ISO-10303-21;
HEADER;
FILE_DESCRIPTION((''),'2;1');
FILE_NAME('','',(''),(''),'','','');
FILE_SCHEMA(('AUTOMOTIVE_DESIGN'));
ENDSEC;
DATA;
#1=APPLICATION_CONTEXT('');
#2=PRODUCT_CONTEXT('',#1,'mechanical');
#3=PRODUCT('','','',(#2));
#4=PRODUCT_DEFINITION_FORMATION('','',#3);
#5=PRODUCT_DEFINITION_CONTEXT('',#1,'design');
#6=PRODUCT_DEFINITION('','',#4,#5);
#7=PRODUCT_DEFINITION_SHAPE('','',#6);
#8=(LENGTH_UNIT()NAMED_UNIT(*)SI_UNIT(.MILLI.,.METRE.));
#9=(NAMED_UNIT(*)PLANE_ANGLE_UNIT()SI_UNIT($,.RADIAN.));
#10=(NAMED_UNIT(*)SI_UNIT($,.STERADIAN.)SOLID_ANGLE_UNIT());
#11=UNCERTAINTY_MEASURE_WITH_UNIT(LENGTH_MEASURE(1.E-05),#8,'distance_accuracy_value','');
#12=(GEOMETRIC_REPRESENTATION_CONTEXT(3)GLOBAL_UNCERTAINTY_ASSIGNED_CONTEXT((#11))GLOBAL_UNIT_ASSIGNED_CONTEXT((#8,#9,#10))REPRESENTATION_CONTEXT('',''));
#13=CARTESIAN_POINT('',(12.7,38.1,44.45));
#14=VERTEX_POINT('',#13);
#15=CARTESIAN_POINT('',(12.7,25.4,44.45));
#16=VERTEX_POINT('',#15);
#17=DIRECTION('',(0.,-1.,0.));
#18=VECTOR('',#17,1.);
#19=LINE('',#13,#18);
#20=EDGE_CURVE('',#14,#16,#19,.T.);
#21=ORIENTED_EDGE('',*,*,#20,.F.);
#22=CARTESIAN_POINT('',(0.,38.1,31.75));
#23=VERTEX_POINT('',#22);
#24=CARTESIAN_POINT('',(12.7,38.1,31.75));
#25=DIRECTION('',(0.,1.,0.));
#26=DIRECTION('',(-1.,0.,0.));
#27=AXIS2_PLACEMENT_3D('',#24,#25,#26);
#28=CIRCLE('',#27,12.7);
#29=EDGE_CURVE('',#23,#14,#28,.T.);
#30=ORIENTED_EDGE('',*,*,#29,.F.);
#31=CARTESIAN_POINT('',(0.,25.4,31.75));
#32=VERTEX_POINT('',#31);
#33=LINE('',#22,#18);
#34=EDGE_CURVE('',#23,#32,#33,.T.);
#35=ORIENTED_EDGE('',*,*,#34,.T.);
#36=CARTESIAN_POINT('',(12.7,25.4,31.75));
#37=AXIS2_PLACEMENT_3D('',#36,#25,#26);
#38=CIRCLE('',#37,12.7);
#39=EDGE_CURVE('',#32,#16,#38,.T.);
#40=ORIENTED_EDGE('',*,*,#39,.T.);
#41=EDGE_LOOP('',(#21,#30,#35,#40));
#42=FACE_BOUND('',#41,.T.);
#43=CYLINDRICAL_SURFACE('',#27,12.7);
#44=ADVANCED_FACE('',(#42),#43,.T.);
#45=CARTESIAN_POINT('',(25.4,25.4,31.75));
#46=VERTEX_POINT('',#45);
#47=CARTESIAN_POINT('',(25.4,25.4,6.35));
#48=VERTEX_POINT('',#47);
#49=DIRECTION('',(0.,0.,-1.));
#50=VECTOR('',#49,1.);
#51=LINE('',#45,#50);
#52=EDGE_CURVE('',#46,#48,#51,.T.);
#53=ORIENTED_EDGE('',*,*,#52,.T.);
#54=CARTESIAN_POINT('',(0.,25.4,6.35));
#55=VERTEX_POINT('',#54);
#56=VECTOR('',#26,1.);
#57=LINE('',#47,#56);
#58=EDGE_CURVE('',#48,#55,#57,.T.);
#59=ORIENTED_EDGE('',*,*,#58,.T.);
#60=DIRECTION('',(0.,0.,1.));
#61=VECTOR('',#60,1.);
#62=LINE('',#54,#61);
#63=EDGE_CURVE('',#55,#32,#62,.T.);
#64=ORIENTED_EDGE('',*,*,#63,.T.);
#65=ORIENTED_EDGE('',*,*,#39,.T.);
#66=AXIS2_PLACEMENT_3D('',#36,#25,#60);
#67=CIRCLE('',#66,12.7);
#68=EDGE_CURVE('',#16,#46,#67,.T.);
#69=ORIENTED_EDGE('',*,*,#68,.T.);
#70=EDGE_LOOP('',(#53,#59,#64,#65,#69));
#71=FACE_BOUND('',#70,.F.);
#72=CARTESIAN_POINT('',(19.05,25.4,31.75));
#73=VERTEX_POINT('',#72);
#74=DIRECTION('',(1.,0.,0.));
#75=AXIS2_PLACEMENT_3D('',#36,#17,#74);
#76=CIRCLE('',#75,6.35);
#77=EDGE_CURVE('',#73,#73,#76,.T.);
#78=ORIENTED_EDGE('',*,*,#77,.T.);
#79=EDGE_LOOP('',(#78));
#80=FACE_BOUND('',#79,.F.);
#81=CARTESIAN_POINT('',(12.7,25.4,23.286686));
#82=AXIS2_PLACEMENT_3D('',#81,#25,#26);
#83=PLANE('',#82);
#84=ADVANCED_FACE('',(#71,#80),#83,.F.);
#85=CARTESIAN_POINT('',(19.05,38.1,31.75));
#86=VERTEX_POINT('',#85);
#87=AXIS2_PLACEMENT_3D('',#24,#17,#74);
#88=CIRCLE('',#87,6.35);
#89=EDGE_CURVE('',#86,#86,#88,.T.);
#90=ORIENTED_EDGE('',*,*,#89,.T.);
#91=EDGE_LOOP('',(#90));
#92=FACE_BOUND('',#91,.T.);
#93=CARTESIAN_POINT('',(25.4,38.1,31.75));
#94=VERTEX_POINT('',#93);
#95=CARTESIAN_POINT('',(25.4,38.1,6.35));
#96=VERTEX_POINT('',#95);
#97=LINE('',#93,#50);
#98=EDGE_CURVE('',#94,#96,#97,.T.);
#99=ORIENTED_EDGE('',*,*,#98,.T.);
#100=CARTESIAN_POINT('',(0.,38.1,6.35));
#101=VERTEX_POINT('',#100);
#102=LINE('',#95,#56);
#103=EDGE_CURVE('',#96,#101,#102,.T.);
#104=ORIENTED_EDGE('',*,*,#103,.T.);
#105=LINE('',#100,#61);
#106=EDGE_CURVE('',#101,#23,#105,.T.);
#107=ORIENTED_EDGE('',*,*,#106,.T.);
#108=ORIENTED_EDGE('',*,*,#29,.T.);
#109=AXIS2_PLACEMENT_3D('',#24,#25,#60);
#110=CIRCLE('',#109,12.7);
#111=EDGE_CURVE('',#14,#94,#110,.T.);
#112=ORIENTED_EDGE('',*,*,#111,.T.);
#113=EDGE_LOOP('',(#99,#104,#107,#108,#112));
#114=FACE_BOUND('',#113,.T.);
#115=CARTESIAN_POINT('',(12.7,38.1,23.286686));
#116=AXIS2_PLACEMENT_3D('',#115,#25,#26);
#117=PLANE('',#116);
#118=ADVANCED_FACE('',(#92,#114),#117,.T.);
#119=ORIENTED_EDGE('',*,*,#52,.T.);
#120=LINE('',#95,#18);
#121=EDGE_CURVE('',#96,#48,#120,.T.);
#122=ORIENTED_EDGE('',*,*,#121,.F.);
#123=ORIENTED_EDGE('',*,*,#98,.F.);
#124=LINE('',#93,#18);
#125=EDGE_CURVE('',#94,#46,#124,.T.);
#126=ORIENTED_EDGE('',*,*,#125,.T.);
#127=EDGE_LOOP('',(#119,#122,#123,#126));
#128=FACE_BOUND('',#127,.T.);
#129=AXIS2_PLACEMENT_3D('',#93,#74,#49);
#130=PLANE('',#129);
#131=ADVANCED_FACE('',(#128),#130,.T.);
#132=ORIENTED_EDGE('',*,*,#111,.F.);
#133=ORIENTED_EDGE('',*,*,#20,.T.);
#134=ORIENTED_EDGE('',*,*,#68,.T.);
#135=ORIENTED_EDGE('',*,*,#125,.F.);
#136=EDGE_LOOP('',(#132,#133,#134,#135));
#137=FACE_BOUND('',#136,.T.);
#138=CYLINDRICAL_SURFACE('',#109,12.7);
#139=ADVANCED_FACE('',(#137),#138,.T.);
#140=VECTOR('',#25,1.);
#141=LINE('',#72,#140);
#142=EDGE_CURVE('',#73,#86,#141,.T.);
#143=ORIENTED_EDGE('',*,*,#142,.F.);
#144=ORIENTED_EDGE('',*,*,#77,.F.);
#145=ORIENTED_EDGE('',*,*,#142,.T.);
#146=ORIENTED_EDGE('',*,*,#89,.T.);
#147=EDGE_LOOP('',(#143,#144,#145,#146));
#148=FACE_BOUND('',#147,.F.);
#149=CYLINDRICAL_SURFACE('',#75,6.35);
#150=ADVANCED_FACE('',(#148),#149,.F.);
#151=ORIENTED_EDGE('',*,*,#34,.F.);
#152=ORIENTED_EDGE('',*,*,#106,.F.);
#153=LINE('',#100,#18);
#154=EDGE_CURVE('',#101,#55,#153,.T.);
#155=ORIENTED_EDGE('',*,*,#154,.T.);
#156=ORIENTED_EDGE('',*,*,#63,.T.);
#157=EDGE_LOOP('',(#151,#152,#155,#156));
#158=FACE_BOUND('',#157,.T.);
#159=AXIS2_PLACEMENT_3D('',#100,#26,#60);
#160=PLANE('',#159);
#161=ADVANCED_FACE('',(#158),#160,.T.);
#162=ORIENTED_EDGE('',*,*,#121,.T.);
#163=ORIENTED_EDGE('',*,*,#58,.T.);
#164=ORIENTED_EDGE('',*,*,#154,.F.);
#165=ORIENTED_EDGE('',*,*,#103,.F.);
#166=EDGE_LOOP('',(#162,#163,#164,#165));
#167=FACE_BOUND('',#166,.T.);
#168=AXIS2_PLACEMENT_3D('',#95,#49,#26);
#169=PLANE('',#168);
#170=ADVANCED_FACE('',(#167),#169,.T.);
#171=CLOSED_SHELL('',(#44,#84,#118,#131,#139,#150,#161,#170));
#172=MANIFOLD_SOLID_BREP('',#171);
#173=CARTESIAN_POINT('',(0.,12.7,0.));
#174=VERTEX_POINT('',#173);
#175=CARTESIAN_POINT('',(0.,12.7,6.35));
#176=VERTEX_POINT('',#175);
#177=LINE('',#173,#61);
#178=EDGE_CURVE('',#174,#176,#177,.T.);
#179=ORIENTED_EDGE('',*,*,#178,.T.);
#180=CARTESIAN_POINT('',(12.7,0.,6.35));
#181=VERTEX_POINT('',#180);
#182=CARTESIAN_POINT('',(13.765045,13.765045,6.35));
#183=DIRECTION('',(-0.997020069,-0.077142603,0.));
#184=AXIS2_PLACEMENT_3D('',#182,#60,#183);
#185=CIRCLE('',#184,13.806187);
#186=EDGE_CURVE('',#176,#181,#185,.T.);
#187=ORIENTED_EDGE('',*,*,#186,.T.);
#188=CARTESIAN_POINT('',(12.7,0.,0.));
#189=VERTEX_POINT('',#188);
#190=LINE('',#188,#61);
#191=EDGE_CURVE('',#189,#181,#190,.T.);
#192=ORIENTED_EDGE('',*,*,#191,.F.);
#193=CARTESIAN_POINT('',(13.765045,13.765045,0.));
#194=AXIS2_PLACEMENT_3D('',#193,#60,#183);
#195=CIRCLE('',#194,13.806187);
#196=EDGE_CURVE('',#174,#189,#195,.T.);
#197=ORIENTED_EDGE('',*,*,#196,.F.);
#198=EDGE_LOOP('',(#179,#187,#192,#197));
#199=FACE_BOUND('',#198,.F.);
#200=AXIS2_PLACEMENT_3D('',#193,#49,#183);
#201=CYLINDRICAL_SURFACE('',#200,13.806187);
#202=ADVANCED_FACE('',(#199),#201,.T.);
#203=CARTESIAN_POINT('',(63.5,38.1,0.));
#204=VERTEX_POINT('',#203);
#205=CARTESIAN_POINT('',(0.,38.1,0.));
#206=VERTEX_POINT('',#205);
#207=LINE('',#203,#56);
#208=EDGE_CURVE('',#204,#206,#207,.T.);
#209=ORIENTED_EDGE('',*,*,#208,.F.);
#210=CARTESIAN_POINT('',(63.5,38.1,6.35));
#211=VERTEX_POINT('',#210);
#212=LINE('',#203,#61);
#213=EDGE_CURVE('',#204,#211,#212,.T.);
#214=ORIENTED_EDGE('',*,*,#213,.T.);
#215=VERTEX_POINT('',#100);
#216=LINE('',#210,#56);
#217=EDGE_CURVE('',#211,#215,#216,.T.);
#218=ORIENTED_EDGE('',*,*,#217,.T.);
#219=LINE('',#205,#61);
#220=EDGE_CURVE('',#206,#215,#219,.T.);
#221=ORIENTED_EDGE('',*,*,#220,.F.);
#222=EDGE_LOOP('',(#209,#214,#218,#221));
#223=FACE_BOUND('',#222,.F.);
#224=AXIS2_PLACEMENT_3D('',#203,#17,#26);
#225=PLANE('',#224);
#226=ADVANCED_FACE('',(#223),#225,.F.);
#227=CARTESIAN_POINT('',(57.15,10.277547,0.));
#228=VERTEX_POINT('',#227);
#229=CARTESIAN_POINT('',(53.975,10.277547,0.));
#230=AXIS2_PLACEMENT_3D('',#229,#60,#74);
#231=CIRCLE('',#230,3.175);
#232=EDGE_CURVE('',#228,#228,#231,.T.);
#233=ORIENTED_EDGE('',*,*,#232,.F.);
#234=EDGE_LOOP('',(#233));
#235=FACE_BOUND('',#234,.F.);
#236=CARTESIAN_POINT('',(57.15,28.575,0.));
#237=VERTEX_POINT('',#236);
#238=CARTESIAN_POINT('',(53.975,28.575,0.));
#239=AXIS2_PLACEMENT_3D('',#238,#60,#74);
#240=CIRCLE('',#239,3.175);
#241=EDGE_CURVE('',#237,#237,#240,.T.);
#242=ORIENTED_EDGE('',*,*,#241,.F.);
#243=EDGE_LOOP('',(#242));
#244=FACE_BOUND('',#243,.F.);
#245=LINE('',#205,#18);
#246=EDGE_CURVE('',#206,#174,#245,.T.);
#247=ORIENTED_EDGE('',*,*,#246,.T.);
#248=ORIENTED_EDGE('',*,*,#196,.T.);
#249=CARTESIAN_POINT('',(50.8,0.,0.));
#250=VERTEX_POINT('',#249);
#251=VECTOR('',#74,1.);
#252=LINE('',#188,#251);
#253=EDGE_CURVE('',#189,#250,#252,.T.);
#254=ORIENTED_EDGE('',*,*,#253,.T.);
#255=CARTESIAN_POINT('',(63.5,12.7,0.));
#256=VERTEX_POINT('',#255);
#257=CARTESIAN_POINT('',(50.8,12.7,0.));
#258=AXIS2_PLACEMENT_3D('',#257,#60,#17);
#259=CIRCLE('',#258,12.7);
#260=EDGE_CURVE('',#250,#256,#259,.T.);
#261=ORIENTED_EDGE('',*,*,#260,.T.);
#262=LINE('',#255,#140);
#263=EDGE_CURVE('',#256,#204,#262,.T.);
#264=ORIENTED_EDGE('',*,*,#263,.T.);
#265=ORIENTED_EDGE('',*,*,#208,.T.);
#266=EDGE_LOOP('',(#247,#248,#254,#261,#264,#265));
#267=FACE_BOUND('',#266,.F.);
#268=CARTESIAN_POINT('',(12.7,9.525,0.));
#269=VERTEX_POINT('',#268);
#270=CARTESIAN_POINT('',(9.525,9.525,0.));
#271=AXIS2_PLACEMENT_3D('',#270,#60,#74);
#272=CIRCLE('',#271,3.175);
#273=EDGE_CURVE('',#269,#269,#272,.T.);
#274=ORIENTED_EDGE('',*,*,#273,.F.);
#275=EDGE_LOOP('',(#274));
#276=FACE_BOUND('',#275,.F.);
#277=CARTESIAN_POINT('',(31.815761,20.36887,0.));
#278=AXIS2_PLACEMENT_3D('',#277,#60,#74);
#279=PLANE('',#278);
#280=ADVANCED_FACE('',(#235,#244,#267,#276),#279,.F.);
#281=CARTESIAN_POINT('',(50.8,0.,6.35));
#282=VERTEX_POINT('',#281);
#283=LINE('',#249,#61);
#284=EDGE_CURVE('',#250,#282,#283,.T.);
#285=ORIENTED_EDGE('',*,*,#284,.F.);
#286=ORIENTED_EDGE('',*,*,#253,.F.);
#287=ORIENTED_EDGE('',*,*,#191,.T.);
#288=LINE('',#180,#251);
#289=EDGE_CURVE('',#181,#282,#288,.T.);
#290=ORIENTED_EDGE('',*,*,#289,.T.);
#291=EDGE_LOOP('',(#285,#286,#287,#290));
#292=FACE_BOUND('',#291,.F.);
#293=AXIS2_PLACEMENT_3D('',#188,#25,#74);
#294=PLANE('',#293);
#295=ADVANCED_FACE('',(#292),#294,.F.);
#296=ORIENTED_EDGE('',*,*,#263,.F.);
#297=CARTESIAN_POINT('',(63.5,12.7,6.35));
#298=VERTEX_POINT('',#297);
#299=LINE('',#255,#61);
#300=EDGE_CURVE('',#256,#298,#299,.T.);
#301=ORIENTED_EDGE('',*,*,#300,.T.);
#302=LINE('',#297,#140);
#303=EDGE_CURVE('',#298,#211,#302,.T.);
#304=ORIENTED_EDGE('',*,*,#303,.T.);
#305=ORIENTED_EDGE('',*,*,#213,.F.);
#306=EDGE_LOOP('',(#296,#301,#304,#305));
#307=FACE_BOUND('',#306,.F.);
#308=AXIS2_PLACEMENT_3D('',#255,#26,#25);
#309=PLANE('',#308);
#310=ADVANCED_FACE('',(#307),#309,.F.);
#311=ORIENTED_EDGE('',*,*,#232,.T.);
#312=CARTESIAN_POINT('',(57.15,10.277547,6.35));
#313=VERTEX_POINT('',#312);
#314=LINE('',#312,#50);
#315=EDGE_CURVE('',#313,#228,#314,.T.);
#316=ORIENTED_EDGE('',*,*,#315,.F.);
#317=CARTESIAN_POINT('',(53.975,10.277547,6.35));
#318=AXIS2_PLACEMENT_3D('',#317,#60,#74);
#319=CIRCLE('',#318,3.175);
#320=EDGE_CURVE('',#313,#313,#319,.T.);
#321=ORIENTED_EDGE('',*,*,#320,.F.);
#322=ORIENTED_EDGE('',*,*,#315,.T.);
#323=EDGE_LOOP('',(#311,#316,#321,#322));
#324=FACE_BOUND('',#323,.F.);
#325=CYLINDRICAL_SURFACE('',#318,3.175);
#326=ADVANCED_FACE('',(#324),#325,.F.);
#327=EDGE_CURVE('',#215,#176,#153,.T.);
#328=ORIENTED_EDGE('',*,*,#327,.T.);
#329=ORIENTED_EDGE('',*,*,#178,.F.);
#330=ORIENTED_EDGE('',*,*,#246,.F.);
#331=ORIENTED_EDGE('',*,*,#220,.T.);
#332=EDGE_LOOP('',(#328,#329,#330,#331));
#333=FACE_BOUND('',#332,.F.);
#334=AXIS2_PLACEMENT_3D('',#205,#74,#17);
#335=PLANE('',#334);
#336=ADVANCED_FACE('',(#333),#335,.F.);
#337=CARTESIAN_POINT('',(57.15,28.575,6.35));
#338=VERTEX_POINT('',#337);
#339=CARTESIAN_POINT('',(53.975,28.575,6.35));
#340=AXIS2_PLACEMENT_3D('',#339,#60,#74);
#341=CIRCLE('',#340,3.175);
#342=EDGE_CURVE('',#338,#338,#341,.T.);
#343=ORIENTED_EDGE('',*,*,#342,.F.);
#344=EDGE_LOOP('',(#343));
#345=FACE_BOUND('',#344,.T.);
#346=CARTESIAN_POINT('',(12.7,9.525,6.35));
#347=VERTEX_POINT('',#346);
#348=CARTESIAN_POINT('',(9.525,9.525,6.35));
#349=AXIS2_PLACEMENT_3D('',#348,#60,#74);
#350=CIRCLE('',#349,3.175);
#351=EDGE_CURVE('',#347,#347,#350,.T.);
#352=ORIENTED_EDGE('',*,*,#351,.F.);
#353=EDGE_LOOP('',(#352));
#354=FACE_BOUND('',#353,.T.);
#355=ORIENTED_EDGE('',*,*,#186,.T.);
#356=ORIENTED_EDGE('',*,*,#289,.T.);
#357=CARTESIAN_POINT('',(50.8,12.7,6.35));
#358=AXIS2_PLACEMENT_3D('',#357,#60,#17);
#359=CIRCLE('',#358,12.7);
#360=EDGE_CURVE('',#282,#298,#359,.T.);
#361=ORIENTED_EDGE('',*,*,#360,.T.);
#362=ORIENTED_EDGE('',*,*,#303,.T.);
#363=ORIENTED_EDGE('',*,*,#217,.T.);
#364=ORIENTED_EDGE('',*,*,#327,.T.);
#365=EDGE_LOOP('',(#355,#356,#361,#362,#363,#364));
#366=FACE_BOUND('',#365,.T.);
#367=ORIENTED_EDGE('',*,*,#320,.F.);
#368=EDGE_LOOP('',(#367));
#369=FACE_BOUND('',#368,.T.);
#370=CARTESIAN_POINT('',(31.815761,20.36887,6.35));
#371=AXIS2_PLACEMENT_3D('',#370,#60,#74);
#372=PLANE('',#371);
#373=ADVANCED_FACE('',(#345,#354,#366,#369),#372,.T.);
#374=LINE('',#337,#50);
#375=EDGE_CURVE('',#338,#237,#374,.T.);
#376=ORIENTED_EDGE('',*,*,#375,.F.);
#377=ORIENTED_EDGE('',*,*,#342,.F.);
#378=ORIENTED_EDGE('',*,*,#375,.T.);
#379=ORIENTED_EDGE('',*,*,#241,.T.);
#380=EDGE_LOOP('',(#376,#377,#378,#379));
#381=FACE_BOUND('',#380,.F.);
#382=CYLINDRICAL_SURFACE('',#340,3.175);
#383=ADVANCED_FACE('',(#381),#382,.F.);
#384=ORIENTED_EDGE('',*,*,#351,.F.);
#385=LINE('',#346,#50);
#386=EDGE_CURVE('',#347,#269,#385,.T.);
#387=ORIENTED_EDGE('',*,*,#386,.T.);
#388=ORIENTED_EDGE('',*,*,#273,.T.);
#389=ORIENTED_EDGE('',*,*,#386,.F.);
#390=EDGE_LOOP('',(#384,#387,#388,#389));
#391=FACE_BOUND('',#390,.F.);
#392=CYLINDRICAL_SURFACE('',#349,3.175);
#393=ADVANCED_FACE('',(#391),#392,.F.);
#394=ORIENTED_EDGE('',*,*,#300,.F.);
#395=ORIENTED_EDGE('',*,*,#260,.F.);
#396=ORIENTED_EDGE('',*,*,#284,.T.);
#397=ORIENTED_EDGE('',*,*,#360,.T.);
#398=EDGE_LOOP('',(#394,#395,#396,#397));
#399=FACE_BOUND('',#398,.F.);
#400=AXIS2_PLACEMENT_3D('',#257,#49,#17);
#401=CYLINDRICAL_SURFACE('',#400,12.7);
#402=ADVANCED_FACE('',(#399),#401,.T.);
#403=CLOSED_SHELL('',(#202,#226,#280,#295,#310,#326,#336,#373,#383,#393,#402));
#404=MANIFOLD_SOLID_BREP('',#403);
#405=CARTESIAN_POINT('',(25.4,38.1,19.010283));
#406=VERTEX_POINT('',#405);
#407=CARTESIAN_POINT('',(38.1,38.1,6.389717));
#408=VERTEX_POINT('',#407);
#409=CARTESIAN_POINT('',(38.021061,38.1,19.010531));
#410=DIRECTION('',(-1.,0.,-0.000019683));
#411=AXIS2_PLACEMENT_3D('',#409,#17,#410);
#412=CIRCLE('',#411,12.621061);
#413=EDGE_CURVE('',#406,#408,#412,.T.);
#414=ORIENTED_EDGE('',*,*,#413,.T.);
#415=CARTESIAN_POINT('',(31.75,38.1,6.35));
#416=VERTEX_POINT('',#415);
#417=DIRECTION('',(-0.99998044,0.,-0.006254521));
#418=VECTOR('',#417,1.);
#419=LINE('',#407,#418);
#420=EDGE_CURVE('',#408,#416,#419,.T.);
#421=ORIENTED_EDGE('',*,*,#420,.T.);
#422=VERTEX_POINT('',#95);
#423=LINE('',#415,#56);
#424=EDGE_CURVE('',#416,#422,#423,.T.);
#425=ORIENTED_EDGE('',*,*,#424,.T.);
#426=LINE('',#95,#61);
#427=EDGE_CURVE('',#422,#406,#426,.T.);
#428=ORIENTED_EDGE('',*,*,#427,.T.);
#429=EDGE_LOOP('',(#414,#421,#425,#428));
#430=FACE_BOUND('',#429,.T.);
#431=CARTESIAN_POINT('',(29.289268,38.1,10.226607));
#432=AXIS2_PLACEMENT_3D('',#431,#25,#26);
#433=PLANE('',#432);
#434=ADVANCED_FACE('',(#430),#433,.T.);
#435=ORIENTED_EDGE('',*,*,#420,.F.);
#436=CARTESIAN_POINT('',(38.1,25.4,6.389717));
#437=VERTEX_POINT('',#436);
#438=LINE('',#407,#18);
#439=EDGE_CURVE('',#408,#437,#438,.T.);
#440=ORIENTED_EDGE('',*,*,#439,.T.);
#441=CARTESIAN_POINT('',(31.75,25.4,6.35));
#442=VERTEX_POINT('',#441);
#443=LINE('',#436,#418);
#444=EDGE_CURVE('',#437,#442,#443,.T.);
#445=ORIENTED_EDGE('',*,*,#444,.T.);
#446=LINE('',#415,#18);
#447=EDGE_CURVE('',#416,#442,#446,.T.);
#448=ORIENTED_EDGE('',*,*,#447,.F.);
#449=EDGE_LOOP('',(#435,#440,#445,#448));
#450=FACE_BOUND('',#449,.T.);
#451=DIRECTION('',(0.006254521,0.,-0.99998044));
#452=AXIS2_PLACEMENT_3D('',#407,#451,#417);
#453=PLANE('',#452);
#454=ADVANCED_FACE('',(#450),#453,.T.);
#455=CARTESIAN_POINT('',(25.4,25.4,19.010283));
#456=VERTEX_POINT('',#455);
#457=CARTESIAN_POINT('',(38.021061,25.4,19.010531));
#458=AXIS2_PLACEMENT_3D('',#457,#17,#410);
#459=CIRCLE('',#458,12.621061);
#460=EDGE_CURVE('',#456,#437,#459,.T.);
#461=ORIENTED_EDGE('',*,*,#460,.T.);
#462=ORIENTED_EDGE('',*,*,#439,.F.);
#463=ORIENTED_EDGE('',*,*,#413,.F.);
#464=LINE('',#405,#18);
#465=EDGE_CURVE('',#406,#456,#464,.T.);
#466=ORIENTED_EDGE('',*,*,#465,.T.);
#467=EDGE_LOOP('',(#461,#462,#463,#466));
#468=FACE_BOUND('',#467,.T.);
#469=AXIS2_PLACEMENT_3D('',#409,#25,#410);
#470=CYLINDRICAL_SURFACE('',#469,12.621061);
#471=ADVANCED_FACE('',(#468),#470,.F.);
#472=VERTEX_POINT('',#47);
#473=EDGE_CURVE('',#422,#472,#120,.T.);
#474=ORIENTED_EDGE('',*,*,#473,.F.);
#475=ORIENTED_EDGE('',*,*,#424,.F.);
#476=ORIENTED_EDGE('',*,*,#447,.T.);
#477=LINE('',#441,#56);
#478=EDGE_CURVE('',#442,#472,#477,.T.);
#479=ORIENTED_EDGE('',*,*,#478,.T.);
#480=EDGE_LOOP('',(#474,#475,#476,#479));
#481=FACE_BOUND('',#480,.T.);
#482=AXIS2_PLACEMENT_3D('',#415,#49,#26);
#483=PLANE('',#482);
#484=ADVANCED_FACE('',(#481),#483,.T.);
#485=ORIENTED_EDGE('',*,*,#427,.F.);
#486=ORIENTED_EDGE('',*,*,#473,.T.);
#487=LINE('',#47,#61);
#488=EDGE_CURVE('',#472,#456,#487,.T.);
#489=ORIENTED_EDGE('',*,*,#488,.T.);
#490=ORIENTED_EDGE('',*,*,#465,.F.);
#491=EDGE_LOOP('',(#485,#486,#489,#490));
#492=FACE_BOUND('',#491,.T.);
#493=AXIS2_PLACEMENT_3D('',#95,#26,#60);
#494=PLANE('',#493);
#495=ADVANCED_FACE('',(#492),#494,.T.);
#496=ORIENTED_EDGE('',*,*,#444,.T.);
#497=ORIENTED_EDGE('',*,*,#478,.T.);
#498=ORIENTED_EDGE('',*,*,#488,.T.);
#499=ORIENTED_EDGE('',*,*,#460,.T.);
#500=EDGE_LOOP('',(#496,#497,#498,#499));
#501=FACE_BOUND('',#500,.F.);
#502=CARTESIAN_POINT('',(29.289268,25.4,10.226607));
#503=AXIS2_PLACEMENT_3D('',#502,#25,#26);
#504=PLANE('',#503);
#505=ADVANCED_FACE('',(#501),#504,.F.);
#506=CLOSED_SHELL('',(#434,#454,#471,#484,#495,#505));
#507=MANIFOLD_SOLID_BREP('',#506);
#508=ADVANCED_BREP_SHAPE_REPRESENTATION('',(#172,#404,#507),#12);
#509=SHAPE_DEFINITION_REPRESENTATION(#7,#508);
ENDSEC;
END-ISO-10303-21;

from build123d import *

# Parameters (mm, degrees)
F1_DEPTH = 6.35
F2_R     = 3.175
F3_DEPTH = 6.35
F6_DEPTH = 12.7
F7_R     = 6.35
F8_DEPTH = 12.7


with BuildPart() as f1:
    # F0 (on Top) → F1 (new body)
    with BuildSketch(Plane.XY):
        with BuildLine():
            Line((63.5, 38.1), (0, 38.1))
            Line((0, 38.1), (0, 12.7))
            ThreePointArc((0, 12.7), (4.0025969694, 4.0025969694), (12.7, 0))
            Line((12.7, 0), (50.8, 0))
            ThreePointArc((50.8, 0), (59.7802561211, 3.7197438789), (63.5, 12.7))
            Line((63.5, 12.7), (63.5, 38.1))
        make_face()
    extrude(amount=F1_DEPTH)

    # F2 (on face) → F3 (cut)
    with BuildSketch(Plane.XY.offset(6.35)):
        with Locations((9.525, 9.525)):
            Circle(F2_R)
        with Locations((53.975, 10.2775470457)):
            Circle(F2_R)
        with Locations((53.975, 28.575)):
            Circle(F2_R)
    extrude(amount=-F3_DEPTH, mode=Mode.SUBTRACT)


with BuildPart() as f6:
    # F5 (on face) → F6 (new body)
    with BuildSketch(Plane(origin=(0, 38.1, 0), x_dir=(-1, 0, 0), z_dir=(0, 1, 0))):
        with BuildLine():
            Line((-31.7500000001, 6.35), (-25.4, 6.35))
            Line((-25.4, 6.35), (-25.4, 19.0102830149))
            ThreePointArc((-25.4, 19.0102830149), (-29.1246641911, 10.058140301), (-38.1, 6.3897169851))
            Line((-38.1, 6.3897169851), (-31.7500000001, 6.35))
        make_face()
    extrude(amount=-F6_DEPTH)


with BuildPart() as f6b:
    # F4 (on face) → F6, piece 2 (new body)
    with BuildSketch(Plane(origin=(0, 38.1, 0), x_dir=(-1, 0, 0), z_dir=(0, 1, 0))):
        with BuildLine():
            Line((-25.4, 6.35), (0, 6.35))
            Line((0, 6.35), (0, 31.75))
            ThreePointArc((0, 31.75), (-3.7197438789, 40.7302561211), (-12.7, 44.45))
            ThreePointArc((-12.7, 44.45), (-21.6802561211, 40.7302561211), (-25.4, 31.75))
            Line((-25.4, 31.75), (-25.4, 6.35))
        make_face()
    extrude(amount=-F6_DEPTH)

    # F7 (on face) → F8 (cut)
    with BuildSketch(Plane.XZ.offset(-25.4)):
        with Locations((12.7, 31.75)):
            Circle(F7_R)
    extrude(amount=-F8_DEPTH, mode=Mode.SUBTRACT)


solid = Compound([f1.part, f6.part, f6b.part])
